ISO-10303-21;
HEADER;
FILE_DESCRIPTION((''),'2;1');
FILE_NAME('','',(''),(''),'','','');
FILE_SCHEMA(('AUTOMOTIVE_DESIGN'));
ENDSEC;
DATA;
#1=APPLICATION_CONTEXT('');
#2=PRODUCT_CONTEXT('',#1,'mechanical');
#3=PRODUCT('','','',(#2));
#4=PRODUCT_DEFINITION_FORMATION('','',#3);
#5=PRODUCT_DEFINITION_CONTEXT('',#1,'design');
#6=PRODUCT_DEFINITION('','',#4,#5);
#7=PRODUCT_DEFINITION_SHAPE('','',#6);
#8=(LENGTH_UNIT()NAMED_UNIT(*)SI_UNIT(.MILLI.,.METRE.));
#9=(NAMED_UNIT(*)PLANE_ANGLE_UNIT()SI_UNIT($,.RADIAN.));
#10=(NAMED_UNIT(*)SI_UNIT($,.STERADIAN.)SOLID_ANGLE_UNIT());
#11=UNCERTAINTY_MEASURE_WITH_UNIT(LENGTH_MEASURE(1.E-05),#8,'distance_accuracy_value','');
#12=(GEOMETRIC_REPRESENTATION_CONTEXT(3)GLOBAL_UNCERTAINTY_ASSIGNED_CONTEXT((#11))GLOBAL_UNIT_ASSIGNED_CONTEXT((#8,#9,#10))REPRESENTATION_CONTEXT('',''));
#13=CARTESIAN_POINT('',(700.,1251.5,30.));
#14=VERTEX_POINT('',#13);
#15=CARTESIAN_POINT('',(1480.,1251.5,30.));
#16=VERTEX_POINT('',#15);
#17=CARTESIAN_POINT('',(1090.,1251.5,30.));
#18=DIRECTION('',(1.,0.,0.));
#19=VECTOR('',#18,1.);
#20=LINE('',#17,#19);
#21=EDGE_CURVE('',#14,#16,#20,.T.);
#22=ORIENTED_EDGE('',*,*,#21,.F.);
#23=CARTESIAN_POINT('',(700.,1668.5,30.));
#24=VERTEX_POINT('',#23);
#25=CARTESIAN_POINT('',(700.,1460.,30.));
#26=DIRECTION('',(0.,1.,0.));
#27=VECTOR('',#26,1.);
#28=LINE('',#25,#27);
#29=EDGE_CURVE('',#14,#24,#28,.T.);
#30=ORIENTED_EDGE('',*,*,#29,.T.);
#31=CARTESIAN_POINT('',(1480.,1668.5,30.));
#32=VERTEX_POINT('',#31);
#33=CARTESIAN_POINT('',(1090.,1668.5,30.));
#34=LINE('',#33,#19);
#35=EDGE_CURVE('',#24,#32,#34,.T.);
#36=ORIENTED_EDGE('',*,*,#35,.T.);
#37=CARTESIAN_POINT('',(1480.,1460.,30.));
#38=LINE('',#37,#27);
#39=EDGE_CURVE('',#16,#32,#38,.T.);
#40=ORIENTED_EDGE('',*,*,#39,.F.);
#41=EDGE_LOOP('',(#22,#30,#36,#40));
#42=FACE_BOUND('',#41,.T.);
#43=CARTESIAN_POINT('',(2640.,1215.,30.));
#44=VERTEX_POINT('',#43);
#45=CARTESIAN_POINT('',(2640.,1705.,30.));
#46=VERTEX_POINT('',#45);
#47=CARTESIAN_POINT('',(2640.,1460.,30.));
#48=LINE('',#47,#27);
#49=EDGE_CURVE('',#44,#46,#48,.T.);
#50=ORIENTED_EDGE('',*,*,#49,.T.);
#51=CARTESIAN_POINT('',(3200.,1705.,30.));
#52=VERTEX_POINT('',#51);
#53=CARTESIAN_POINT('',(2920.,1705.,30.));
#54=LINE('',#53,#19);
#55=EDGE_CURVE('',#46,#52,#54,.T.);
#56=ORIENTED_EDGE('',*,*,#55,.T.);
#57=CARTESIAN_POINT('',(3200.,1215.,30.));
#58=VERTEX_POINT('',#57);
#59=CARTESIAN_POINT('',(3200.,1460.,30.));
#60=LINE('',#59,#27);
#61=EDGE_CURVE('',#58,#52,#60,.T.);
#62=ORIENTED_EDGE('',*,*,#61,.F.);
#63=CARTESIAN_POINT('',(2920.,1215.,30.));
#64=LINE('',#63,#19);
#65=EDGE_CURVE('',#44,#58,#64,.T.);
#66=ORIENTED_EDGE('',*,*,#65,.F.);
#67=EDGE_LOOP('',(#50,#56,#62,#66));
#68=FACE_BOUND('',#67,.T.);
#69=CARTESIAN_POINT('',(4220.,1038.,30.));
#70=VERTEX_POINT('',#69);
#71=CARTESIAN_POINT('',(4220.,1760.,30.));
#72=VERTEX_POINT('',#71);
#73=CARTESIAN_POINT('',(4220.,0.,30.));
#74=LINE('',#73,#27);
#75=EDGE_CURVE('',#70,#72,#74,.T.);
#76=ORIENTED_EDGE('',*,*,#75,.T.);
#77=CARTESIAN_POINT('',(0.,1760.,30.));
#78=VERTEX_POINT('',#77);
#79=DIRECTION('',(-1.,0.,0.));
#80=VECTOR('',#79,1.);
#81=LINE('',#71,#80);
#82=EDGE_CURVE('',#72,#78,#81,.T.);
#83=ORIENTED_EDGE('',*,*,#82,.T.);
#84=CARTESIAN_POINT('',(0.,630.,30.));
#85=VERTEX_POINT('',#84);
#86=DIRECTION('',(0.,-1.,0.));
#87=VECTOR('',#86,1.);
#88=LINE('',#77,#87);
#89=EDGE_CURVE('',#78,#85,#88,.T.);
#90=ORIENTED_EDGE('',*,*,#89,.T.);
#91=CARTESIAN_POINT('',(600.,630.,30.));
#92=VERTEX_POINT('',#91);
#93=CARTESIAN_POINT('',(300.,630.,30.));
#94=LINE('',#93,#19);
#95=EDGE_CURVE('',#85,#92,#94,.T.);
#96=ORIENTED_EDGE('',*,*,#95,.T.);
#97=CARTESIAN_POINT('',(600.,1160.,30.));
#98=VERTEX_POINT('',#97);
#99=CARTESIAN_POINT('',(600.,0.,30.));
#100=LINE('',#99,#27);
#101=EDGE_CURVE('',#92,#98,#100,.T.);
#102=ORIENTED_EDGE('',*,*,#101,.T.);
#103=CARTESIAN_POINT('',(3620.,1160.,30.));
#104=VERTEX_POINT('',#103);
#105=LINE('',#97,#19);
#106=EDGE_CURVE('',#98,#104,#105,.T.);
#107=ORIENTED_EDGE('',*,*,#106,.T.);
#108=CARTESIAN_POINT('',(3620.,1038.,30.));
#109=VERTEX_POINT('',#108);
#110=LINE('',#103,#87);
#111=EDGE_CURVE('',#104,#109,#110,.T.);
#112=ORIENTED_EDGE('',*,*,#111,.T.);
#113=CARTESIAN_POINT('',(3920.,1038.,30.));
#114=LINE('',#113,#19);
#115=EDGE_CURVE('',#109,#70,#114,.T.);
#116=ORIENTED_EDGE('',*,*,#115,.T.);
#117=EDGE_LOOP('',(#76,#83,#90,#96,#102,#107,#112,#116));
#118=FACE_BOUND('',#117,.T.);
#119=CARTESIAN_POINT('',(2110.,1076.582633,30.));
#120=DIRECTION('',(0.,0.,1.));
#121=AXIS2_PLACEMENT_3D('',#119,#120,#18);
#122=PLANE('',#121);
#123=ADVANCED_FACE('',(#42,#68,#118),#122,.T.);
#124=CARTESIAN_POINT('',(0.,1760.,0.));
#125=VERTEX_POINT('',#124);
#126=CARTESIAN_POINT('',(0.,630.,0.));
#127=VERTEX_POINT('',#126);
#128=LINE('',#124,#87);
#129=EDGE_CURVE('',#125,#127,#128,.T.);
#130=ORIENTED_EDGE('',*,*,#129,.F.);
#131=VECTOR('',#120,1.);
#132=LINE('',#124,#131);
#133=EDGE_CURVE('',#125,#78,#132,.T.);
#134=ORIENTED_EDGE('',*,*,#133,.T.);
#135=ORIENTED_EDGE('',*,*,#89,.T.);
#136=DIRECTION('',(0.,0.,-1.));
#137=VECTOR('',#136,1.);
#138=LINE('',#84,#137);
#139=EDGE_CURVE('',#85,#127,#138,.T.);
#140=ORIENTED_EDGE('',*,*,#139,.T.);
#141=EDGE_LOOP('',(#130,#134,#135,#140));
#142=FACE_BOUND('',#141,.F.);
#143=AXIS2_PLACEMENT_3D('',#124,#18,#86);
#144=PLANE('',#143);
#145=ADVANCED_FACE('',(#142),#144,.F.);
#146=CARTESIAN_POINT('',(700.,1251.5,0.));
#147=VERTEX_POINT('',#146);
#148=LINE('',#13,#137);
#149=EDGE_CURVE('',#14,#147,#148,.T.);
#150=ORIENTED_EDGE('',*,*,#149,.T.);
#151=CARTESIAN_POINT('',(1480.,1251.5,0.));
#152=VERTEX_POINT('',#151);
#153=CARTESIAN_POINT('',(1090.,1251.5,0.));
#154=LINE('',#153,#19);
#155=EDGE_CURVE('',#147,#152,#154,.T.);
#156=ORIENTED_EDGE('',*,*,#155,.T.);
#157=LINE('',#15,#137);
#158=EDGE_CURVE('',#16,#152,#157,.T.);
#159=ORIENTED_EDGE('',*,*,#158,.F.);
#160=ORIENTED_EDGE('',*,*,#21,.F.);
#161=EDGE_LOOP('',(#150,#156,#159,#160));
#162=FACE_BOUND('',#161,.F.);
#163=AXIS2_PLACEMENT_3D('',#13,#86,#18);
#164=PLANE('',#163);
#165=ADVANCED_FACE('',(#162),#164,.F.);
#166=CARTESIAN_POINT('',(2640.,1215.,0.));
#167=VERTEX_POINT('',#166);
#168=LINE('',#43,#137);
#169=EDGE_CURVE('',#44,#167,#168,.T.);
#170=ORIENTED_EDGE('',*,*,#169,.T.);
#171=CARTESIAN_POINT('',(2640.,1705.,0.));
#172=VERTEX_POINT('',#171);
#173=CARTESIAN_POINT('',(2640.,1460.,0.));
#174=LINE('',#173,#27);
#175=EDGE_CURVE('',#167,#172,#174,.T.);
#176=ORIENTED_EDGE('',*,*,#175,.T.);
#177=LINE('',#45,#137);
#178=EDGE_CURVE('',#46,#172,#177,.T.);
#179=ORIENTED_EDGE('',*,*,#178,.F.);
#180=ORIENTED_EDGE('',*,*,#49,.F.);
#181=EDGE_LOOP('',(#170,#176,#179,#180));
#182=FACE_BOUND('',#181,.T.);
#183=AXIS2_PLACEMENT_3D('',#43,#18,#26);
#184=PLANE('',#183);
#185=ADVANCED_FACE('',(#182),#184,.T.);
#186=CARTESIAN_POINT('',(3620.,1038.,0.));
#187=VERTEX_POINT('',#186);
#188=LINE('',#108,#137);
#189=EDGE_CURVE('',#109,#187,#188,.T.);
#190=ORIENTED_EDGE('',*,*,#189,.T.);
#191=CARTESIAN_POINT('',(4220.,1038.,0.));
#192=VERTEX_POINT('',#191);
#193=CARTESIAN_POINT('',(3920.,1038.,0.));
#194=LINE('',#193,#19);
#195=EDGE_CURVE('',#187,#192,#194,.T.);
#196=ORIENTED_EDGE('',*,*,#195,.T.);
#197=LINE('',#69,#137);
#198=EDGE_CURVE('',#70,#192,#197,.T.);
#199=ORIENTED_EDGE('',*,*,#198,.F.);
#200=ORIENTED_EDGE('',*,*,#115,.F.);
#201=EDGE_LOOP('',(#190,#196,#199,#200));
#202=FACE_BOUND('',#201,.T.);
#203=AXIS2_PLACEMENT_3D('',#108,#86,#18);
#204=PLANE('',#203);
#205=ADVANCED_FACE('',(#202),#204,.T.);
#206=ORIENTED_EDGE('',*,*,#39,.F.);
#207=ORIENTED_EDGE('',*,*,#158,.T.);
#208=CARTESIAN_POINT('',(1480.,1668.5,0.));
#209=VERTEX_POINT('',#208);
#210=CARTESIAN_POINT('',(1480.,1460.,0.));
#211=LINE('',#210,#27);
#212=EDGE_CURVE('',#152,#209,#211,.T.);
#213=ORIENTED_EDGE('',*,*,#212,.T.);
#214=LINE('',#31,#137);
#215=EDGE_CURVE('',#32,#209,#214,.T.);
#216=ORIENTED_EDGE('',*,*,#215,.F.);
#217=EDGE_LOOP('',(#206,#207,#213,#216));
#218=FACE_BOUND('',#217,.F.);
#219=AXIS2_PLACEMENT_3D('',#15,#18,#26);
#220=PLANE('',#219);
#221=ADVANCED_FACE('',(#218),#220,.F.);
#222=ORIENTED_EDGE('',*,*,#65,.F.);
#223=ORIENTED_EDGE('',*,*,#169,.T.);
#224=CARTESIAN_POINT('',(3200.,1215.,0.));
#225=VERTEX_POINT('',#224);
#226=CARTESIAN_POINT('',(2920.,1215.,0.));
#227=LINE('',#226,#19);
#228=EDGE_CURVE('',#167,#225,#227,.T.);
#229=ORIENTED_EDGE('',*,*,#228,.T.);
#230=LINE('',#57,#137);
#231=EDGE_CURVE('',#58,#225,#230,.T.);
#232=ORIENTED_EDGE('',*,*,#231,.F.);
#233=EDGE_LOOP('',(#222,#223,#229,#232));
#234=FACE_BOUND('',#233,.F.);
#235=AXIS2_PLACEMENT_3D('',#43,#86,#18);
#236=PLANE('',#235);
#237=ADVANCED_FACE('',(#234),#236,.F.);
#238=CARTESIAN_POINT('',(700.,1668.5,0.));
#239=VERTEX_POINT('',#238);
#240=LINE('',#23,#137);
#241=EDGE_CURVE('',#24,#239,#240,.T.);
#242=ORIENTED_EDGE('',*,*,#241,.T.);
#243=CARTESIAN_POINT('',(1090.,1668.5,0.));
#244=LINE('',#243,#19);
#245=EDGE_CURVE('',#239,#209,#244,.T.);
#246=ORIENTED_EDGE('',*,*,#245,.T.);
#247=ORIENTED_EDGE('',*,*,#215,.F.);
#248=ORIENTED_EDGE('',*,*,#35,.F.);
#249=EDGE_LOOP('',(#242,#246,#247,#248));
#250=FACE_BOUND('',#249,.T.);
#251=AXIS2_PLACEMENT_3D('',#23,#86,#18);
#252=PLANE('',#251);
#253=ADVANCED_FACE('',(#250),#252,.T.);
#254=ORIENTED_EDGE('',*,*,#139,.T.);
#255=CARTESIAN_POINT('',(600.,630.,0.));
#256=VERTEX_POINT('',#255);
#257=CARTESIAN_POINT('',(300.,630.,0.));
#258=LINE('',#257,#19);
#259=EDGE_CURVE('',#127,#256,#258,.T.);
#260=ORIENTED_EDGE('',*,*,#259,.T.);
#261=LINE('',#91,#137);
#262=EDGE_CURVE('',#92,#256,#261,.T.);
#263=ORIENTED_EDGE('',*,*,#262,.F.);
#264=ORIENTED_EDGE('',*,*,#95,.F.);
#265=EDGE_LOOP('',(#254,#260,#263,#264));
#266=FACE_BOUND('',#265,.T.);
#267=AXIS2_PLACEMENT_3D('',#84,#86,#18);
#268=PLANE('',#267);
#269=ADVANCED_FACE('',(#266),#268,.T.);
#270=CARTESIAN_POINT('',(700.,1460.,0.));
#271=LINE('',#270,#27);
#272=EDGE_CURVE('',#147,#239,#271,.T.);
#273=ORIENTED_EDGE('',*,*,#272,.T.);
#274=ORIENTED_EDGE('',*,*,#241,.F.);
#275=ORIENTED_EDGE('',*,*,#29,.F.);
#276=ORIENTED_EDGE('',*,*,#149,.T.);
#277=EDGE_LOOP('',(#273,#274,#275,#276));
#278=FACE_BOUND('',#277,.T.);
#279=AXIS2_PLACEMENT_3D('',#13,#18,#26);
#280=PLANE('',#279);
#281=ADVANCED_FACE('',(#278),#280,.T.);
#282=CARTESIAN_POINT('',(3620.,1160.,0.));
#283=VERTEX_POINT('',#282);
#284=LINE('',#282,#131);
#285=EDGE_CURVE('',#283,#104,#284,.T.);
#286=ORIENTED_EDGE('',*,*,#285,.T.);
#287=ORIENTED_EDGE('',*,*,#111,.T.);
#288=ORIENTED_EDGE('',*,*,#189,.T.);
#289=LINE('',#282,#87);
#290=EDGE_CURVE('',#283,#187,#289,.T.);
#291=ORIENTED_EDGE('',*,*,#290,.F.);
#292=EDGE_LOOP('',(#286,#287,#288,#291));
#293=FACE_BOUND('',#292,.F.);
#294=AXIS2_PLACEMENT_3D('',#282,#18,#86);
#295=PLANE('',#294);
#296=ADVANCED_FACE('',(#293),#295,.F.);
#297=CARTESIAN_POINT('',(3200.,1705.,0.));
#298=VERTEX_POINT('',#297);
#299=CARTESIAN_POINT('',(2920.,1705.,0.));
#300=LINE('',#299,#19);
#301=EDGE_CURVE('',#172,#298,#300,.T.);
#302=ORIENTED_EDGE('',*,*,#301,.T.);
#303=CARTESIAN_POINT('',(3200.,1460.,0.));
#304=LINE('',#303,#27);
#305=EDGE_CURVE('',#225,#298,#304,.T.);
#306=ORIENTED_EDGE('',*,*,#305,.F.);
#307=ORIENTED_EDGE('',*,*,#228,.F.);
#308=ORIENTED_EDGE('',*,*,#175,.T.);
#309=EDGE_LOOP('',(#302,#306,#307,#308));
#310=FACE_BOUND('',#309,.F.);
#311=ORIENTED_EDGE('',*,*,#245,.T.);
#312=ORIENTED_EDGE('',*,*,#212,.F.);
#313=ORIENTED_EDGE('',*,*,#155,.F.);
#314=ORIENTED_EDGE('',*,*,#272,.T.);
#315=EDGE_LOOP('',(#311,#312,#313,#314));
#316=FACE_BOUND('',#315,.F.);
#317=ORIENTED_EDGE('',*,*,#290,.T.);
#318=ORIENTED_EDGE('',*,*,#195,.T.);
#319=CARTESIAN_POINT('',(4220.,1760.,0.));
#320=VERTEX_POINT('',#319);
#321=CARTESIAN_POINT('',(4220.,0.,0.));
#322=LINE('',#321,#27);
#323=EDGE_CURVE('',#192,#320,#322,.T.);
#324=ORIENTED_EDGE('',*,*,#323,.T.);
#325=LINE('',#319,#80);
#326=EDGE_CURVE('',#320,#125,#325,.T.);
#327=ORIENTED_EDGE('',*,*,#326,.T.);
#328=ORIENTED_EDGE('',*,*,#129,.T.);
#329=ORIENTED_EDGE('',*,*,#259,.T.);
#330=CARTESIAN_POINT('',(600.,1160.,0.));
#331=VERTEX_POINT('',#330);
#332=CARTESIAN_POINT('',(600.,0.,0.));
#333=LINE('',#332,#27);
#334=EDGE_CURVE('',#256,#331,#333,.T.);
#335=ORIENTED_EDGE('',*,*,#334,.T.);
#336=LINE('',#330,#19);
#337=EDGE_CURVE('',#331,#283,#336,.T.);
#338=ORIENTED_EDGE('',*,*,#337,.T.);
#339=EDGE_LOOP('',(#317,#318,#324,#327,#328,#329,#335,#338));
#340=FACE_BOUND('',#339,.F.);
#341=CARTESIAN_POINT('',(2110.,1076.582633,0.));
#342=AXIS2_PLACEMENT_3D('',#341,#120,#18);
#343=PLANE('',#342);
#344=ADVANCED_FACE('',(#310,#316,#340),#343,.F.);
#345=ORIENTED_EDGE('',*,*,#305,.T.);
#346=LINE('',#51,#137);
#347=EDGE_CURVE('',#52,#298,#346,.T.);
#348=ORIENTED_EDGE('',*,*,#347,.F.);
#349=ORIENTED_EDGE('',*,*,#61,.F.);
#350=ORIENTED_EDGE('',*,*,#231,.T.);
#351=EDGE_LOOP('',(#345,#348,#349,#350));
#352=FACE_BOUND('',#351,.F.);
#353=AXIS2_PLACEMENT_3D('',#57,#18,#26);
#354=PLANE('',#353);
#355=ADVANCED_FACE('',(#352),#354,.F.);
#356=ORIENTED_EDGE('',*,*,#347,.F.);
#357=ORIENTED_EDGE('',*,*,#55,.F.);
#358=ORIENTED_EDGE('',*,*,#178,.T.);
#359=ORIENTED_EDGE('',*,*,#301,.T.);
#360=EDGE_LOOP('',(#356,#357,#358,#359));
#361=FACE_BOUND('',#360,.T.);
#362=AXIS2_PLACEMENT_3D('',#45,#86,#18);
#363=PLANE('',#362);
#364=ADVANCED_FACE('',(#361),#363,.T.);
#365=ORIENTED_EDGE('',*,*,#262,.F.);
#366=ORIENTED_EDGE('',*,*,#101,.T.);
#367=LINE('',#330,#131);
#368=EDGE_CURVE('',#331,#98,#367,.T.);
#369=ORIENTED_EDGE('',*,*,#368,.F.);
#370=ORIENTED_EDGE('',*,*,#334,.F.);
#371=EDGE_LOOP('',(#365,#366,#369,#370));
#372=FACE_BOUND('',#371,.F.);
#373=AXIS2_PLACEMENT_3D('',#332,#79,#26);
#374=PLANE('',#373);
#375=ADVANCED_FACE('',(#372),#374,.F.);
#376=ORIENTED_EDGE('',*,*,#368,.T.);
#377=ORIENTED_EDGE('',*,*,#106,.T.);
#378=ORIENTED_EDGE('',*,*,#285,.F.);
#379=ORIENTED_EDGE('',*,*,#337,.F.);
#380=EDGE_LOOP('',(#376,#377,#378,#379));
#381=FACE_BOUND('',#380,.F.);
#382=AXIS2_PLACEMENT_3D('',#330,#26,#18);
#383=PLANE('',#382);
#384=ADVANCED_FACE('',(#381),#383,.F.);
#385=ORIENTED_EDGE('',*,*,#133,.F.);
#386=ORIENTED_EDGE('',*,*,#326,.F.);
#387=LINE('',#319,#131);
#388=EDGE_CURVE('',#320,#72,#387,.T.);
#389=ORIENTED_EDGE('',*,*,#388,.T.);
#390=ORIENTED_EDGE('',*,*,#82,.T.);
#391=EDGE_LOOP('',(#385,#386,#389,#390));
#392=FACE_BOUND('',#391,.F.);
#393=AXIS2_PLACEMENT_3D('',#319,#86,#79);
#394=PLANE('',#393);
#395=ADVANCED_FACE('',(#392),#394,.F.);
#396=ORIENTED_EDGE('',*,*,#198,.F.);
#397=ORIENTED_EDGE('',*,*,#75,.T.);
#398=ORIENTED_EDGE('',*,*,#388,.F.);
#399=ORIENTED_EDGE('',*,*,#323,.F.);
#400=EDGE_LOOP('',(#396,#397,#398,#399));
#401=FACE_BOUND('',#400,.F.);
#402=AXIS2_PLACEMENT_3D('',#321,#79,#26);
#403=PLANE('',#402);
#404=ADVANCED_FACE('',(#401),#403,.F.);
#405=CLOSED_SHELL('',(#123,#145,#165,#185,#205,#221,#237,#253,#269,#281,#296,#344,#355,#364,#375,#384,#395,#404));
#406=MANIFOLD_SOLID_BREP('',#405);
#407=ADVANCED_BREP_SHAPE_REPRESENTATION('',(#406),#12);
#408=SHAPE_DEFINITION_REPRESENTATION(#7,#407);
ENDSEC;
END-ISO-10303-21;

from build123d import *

# Parameters (mm, degrees)
F1_DEPTH = 30
F2_W     = 780
F2_H     = 417
F3_DEPTH = 30
F4_W     = 560
F4_H     = 490
F5_DEPTH = 30
F6_W     = 600
F6_H     = 630
F7_DEPTH = 30
F8_W     = 600
F8_H     = 1038
F9_DEPTH = 30


with BuildPart() as f1:
    # F0 (on Top) → F1 (new body)
    with BuildSketch(Plane.XY):
        Polygon((0, 1760), (0, 0), (600, 0), (600, 1160), (3620, 1160), (3620, 0), (4220, 0), (4220, 1760), align=None)
    extrude(amount=F1_DEPTH)

    # F2 (on face) → F3 (cut, through all)
    with BuildSketch(Plane.XY.offset(30)):
        with Locations((1090, 1460)):
            Rectangle(F2_W, F2_H)
    extrude(amount=-F3_DEPTH, mode=Mode.SUBTRACT)

    # F4 (on face) → F5 (cut, through all)
    with BuildSketch(Plane.XY.offset(30)):
        with Locations((2920, 1460)):
            Rectangle(F4_W, F4_H)
    extrude(amount=-F5_DEPTH, mode=Mode.SUBTRACT)

    # F6 (on face) → F7 (cut, through all)
    with BuildSketch(Plane.XY.offset(30)):
        with Locations((300, 315)):
            Rectangle(F6_W, F6_H)
    extrude(amount=-F7_DEPTH, mode=Mode.SUBTRACT)

    # F8 (on face) → F9 (cut, through all)
    with BuildSketch(Plane.XY.offset(30)):
        with Locations((3920, 519)):
            Rectangle(F8_W, F8_H)
    extrude(amount=-F9_DEPTH, mode=Mode.SUBTRACT)


solid = f1.part
